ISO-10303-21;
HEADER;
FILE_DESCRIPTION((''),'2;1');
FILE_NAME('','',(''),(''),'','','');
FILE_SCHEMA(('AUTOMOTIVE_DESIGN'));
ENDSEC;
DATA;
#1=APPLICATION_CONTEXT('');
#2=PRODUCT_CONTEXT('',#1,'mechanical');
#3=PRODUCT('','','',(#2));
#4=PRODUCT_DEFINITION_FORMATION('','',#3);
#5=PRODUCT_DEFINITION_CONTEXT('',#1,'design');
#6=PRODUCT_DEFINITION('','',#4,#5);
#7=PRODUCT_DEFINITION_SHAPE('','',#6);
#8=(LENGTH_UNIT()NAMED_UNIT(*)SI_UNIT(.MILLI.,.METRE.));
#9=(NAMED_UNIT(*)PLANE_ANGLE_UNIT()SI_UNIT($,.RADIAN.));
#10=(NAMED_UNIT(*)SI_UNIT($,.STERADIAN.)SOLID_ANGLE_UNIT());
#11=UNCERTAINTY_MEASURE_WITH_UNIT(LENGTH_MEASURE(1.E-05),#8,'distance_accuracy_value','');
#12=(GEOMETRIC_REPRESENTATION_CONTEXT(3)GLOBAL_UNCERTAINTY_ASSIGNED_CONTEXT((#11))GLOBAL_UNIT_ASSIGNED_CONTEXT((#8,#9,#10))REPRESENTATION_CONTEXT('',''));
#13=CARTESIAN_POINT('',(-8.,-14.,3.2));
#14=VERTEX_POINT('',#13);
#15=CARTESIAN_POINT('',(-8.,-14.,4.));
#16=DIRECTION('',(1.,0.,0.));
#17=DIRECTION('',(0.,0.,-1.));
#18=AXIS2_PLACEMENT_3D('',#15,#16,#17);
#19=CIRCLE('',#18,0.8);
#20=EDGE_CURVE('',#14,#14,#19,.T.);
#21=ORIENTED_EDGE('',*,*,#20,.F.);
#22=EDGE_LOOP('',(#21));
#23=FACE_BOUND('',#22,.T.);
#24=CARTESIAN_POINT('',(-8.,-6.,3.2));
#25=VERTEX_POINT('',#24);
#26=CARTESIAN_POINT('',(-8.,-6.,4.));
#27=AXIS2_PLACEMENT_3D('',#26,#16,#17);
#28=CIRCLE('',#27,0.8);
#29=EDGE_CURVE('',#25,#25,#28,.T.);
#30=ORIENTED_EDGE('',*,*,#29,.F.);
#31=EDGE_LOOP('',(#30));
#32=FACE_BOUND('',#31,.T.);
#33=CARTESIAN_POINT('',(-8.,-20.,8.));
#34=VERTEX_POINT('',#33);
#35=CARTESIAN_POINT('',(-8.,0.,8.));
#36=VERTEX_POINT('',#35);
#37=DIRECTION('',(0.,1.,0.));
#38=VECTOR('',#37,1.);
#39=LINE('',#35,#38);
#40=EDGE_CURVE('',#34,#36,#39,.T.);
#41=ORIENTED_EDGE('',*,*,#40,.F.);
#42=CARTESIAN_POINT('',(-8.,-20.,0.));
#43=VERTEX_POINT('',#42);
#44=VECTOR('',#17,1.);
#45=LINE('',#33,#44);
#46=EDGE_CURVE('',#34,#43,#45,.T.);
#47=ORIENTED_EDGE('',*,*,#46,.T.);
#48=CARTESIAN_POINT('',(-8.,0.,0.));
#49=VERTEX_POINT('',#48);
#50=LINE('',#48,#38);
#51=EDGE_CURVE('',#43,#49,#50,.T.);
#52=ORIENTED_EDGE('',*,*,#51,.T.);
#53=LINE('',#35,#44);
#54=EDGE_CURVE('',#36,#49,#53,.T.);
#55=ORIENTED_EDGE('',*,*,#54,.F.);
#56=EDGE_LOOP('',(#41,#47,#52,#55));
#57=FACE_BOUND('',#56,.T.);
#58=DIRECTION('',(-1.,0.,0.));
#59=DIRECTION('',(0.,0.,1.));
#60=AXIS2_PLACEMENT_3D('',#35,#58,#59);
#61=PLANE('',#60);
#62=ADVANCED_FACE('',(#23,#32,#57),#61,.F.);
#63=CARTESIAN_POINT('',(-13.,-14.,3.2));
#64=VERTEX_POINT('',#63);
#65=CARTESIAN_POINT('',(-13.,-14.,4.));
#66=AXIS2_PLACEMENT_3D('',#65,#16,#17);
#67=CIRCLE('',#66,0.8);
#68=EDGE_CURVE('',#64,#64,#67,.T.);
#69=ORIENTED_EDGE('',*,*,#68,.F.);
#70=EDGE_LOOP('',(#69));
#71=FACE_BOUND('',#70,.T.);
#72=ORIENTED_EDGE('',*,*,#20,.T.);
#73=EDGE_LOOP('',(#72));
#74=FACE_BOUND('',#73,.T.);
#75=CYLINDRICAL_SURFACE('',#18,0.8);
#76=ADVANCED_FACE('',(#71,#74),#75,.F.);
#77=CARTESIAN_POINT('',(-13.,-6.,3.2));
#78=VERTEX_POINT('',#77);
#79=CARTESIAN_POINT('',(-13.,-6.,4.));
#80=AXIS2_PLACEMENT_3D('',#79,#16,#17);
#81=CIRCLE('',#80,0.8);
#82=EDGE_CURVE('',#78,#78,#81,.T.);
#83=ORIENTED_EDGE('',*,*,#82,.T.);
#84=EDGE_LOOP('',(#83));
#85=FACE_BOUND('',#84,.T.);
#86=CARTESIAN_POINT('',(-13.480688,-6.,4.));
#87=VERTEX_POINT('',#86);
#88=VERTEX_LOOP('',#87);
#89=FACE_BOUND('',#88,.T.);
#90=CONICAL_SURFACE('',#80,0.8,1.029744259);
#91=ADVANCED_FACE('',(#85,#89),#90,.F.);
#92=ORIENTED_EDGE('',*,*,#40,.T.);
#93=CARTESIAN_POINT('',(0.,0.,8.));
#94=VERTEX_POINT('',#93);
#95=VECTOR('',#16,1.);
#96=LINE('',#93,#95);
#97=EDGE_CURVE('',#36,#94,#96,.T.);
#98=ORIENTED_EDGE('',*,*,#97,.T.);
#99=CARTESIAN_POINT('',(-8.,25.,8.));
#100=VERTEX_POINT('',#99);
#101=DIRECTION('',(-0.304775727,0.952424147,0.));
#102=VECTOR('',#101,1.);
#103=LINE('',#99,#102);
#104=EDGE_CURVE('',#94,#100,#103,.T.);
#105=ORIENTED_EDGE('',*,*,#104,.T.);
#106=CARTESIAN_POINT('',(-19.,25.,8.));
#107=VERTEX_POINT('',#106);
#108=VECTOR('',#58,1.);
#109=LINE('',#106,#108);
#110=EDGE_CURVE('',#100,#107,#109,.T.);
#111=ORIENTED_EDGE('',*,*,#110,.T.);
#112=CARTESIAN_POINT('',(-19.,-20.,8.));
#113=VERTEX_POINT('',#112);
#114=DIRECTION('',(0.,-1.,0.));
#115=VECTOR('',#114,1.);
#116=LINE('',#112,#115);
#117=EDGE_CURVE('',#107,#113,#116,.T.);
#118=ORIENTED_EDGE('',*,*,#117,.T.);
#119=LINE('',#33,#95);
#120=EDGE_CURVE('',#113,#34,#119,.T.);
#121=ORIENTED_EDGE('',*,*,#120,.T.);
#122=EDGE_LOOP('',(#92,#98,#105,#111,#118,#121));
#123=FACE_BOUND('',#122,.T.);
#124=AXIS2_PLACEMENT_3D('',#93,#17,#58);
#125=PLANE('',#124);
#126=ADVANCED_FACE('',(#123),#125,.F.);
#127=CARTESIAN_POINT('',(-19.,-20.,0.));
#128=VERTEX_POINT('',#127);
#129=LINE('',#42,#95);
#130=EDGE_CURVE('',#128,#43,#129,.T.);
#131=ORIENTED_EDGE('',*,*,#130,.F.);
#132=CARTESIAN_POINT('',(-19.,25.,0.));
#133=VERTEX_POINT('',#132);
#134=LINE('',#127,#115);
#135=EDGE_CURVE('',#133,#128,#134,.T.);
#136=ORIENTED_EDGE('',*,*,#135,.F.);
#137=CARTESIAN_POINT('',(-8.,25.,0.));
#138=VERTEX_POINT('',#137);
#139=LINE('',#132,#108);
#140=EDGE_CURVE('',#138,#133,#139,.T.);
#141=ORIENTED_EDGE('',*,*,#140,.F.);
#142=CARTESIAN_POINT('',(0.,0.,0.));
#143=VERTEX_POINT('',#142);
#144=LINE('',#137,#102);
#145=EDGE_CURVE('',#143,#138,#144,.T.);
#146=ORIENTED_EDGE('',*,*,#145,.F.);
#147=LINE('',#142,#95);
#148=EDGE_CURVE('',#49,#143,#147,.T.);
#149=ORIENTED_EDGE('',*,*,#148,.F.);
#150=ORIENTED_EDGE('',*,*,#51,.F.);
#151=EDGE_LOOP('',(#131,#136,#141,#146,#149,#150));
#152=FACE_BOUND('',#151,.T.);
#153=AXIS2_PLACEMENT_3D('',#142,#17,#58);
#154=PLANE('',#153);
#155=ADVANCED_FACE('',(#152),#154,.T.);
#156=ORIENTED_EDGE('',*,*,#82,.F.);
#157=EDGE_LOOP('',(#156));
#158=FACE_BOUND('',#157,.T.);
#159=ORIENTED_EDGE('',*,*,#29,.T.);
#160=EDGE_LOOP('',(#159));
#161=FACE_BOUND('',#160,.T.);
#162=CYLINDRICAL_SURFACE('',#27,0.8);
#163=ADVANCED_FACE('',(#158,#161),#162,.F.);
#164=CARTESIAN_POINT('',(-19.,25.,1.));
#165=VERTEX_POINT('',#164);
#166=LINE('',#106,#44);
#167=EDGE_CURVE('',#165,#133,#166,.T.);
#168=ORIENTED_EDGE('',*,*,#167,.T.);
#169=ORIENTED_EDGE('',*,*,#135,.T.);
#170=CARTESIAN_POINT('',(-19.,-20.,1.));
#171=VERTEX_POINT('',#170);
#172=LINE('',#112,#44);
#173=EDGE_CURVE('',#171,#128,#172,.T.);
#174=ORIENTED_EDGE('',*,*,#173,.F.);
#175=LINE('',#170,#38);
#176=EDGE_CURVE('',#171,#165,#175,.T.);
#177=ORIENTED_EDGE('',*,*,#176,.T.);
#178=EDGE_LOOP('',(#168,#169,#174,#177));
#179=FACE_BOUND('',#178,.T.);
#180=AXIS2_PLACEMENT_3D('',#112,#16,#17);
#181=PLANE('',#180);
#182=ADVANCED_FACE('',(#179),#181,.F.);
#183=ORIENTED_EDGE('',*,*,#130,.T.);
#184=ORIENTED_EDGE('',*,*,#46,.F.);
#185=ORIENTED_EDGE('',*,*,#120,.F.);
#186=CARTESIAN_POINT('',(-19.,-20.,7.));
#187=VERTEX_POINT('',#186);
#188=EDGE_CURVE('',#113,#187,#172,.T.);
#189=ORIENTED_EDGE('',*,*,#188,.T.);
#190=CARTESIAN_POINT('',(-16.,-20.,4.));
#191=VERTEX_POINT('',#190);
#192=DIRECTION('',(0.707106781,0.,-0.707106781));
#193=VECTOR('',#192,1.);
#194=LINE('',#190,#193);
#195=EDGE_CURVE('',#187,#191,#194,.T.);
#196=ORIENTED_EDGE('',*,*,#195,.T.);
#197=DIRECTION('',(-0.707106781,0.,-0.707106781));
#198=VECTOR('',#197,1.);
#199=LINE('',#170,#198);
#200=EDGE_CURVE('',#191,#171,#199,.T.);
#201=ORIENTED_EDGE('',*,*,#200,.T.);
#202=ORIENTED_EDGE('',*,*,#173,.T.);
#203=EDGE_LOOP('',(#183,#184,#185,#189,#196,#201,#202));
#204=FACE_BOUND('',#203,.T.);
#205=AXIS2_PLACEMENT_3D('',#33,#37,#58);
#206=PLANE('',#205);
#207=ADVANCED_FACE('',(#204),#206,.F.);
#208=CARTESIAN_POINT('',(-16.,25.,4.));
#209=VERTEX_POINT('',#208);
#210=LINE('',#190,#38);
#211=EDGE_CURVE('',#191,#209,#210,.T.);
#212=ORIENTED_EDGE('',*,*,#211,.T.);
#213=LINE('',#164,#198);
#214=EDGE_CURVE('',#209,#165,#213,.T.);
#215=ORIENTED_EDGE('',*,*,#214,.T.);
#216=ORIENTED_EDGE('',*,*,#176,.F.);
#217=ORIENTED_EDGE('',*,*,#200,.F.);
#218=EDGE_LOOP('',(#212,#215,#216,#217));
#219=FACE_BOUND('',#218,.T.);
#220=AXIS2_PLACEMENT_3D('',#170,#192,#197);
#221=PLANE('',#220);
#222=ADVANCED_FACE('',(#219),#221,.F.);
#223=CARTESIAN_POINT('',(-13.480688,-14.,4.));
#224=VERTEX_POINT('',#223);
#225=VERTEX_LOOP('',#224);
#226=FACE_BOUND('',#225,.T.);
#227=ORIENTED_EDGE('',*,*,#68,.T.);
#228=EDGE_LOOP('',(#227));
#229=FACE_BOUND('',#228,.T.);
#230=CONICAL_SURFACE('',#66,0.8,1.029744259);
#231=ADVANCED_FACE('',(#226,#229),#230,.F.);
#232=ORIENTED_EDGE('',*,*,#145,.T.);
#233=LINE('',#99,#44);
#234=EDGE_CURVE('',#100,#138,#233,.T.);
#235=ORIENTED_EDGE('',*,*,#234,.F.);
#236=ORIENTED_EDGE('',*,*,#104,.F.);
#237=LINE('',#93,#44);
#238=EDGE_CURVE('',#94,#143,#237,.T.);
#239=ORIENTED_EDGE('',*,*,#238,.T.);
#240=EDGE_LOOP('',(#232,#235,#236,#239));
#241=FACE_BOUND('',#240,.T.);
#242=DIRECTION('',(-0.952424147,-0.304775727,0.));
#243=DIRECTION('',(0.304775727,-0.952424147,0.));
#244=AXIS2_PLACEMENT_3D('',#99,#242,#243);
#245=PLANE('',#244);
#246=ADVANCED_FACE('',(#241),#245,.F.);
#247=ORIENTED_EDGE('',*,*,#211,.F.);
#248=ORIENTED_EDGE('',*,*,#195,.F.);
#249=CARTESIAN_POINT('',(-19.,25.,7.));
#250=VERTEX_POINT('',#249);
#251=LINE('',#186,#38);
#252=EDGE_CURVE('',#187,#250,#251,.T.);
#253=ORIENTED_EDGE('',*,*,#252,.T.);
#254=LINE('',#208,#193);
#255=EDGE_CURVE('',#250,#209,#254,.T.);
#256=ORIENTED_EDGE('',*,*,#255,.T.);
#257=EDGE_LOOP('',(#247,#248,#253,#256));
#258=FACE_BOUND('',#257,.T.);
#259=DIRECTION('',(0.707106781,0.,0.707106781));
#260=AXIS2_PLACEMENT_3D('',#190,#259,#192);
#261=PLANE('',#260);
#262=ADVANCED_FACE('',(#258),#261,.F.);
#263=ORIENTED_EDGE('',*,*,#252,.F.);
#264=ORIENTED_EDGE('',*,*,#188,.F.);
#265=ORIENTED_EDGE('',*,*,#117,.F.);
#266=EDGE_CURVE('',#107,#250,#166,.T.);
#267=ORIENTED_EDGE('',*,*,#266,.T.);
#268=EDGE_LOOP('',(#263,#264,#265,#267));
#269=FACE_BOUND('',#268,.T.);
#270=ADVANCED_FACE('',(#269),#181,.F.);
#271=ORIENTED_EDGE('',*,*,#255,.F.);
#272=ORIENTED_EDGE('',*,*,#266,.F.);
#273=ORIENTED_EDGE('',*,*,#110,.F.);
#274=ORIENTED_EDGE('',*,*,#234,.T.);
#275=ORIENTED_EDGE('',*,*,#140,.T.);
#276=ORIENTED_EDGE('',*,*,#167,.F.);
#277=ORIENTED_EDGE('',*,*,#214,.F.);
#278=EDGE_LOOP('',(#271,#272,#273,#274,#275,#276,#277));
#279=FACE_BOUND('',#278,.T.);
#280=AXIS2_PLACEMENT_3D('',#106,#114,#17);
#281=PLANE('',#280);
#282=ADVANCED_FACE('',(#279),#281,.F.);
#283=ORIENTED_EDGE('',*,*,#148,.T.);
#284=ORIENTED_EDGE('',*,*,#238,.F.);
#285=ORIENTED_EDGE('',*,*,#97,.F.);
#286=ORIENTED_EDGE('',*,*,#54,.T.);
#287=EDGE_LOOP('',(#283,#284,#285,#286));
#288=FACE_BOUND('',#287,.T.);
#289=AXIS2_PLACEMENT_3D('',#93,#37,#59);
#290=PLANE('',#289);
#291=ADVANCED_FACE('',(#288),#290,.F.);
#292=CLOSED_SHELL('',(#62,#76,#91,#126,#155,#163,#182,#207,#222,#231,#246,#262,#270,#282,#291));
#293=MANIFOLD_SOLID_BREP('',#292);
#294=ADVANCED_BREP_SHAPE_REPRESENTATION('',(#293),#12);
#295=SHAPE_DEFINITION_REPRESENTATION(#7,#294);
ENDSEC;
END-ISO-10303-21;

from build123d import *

# Parameters (mm, degrees)
BOSS_EXTRUDE1_DEPTH       = 8
CUT_EXTRUDE1_DEPTH        = 46
M2X0_4_TAPPED_HOLE1_D     = 1.6
M2X0_4_TAPPED_HOLE1_DEPTH = 5
M2X0_4_TAPPED_HOLE1_TIP   = 0.480688495


with BuildPart() as part:
    # Sketch1 → Boss-Extrude1 (new body)
    with BuildSketch(Plane.XY):
        Polygon((0, 0), (-8, 0), (-8, -20), (-19, -20), (-19, 25), (-8, 25), align=None)
    extrude(amount=BOSS_EXTRUDE1_DEPTH)

    # Sketch2 → Cut-Extrude1 (cut, through all)
    with BuildSketch(Plane(origin=(0, 25, 0), x_dir=(1, 0, 0), z_dir=(0, 1, 0))):
        Polygon((-19, -4), (-19, -1), (-16, -4), (-19, -7), align=None)
    extrude(amount=-CUT_EXTRUDE1_DEPTH, mode=Mode.SUBTRACT)

    # M2x0.4 Tapped Hole1
    with Locations(Plane(origin=(-8, -6, 4), x_dir=(0, 0, 1), z_dir=(1, 0, 0))):
        with Locations((0, 0), (0, 8)):
            Hole(M2X0_4_TAPPED_HOLE1_D / 2, depth=M2X0_4_TAPPED_HOLE1_DEPTH)
            with Locations((0, 0, -(M2X0_4_TAPPED_HOLE1_DEPTH + M2X0_4_TAPPED_HOLE1_TIP / 2))):  # 118° drill point
                Cone(0, M2X0_4_TAPPED_HOLE1_D / 2, M2X0_4_TAPPED_HOLE1_TIP, mode=Mode.SUBTRACT)


solid = part.part
